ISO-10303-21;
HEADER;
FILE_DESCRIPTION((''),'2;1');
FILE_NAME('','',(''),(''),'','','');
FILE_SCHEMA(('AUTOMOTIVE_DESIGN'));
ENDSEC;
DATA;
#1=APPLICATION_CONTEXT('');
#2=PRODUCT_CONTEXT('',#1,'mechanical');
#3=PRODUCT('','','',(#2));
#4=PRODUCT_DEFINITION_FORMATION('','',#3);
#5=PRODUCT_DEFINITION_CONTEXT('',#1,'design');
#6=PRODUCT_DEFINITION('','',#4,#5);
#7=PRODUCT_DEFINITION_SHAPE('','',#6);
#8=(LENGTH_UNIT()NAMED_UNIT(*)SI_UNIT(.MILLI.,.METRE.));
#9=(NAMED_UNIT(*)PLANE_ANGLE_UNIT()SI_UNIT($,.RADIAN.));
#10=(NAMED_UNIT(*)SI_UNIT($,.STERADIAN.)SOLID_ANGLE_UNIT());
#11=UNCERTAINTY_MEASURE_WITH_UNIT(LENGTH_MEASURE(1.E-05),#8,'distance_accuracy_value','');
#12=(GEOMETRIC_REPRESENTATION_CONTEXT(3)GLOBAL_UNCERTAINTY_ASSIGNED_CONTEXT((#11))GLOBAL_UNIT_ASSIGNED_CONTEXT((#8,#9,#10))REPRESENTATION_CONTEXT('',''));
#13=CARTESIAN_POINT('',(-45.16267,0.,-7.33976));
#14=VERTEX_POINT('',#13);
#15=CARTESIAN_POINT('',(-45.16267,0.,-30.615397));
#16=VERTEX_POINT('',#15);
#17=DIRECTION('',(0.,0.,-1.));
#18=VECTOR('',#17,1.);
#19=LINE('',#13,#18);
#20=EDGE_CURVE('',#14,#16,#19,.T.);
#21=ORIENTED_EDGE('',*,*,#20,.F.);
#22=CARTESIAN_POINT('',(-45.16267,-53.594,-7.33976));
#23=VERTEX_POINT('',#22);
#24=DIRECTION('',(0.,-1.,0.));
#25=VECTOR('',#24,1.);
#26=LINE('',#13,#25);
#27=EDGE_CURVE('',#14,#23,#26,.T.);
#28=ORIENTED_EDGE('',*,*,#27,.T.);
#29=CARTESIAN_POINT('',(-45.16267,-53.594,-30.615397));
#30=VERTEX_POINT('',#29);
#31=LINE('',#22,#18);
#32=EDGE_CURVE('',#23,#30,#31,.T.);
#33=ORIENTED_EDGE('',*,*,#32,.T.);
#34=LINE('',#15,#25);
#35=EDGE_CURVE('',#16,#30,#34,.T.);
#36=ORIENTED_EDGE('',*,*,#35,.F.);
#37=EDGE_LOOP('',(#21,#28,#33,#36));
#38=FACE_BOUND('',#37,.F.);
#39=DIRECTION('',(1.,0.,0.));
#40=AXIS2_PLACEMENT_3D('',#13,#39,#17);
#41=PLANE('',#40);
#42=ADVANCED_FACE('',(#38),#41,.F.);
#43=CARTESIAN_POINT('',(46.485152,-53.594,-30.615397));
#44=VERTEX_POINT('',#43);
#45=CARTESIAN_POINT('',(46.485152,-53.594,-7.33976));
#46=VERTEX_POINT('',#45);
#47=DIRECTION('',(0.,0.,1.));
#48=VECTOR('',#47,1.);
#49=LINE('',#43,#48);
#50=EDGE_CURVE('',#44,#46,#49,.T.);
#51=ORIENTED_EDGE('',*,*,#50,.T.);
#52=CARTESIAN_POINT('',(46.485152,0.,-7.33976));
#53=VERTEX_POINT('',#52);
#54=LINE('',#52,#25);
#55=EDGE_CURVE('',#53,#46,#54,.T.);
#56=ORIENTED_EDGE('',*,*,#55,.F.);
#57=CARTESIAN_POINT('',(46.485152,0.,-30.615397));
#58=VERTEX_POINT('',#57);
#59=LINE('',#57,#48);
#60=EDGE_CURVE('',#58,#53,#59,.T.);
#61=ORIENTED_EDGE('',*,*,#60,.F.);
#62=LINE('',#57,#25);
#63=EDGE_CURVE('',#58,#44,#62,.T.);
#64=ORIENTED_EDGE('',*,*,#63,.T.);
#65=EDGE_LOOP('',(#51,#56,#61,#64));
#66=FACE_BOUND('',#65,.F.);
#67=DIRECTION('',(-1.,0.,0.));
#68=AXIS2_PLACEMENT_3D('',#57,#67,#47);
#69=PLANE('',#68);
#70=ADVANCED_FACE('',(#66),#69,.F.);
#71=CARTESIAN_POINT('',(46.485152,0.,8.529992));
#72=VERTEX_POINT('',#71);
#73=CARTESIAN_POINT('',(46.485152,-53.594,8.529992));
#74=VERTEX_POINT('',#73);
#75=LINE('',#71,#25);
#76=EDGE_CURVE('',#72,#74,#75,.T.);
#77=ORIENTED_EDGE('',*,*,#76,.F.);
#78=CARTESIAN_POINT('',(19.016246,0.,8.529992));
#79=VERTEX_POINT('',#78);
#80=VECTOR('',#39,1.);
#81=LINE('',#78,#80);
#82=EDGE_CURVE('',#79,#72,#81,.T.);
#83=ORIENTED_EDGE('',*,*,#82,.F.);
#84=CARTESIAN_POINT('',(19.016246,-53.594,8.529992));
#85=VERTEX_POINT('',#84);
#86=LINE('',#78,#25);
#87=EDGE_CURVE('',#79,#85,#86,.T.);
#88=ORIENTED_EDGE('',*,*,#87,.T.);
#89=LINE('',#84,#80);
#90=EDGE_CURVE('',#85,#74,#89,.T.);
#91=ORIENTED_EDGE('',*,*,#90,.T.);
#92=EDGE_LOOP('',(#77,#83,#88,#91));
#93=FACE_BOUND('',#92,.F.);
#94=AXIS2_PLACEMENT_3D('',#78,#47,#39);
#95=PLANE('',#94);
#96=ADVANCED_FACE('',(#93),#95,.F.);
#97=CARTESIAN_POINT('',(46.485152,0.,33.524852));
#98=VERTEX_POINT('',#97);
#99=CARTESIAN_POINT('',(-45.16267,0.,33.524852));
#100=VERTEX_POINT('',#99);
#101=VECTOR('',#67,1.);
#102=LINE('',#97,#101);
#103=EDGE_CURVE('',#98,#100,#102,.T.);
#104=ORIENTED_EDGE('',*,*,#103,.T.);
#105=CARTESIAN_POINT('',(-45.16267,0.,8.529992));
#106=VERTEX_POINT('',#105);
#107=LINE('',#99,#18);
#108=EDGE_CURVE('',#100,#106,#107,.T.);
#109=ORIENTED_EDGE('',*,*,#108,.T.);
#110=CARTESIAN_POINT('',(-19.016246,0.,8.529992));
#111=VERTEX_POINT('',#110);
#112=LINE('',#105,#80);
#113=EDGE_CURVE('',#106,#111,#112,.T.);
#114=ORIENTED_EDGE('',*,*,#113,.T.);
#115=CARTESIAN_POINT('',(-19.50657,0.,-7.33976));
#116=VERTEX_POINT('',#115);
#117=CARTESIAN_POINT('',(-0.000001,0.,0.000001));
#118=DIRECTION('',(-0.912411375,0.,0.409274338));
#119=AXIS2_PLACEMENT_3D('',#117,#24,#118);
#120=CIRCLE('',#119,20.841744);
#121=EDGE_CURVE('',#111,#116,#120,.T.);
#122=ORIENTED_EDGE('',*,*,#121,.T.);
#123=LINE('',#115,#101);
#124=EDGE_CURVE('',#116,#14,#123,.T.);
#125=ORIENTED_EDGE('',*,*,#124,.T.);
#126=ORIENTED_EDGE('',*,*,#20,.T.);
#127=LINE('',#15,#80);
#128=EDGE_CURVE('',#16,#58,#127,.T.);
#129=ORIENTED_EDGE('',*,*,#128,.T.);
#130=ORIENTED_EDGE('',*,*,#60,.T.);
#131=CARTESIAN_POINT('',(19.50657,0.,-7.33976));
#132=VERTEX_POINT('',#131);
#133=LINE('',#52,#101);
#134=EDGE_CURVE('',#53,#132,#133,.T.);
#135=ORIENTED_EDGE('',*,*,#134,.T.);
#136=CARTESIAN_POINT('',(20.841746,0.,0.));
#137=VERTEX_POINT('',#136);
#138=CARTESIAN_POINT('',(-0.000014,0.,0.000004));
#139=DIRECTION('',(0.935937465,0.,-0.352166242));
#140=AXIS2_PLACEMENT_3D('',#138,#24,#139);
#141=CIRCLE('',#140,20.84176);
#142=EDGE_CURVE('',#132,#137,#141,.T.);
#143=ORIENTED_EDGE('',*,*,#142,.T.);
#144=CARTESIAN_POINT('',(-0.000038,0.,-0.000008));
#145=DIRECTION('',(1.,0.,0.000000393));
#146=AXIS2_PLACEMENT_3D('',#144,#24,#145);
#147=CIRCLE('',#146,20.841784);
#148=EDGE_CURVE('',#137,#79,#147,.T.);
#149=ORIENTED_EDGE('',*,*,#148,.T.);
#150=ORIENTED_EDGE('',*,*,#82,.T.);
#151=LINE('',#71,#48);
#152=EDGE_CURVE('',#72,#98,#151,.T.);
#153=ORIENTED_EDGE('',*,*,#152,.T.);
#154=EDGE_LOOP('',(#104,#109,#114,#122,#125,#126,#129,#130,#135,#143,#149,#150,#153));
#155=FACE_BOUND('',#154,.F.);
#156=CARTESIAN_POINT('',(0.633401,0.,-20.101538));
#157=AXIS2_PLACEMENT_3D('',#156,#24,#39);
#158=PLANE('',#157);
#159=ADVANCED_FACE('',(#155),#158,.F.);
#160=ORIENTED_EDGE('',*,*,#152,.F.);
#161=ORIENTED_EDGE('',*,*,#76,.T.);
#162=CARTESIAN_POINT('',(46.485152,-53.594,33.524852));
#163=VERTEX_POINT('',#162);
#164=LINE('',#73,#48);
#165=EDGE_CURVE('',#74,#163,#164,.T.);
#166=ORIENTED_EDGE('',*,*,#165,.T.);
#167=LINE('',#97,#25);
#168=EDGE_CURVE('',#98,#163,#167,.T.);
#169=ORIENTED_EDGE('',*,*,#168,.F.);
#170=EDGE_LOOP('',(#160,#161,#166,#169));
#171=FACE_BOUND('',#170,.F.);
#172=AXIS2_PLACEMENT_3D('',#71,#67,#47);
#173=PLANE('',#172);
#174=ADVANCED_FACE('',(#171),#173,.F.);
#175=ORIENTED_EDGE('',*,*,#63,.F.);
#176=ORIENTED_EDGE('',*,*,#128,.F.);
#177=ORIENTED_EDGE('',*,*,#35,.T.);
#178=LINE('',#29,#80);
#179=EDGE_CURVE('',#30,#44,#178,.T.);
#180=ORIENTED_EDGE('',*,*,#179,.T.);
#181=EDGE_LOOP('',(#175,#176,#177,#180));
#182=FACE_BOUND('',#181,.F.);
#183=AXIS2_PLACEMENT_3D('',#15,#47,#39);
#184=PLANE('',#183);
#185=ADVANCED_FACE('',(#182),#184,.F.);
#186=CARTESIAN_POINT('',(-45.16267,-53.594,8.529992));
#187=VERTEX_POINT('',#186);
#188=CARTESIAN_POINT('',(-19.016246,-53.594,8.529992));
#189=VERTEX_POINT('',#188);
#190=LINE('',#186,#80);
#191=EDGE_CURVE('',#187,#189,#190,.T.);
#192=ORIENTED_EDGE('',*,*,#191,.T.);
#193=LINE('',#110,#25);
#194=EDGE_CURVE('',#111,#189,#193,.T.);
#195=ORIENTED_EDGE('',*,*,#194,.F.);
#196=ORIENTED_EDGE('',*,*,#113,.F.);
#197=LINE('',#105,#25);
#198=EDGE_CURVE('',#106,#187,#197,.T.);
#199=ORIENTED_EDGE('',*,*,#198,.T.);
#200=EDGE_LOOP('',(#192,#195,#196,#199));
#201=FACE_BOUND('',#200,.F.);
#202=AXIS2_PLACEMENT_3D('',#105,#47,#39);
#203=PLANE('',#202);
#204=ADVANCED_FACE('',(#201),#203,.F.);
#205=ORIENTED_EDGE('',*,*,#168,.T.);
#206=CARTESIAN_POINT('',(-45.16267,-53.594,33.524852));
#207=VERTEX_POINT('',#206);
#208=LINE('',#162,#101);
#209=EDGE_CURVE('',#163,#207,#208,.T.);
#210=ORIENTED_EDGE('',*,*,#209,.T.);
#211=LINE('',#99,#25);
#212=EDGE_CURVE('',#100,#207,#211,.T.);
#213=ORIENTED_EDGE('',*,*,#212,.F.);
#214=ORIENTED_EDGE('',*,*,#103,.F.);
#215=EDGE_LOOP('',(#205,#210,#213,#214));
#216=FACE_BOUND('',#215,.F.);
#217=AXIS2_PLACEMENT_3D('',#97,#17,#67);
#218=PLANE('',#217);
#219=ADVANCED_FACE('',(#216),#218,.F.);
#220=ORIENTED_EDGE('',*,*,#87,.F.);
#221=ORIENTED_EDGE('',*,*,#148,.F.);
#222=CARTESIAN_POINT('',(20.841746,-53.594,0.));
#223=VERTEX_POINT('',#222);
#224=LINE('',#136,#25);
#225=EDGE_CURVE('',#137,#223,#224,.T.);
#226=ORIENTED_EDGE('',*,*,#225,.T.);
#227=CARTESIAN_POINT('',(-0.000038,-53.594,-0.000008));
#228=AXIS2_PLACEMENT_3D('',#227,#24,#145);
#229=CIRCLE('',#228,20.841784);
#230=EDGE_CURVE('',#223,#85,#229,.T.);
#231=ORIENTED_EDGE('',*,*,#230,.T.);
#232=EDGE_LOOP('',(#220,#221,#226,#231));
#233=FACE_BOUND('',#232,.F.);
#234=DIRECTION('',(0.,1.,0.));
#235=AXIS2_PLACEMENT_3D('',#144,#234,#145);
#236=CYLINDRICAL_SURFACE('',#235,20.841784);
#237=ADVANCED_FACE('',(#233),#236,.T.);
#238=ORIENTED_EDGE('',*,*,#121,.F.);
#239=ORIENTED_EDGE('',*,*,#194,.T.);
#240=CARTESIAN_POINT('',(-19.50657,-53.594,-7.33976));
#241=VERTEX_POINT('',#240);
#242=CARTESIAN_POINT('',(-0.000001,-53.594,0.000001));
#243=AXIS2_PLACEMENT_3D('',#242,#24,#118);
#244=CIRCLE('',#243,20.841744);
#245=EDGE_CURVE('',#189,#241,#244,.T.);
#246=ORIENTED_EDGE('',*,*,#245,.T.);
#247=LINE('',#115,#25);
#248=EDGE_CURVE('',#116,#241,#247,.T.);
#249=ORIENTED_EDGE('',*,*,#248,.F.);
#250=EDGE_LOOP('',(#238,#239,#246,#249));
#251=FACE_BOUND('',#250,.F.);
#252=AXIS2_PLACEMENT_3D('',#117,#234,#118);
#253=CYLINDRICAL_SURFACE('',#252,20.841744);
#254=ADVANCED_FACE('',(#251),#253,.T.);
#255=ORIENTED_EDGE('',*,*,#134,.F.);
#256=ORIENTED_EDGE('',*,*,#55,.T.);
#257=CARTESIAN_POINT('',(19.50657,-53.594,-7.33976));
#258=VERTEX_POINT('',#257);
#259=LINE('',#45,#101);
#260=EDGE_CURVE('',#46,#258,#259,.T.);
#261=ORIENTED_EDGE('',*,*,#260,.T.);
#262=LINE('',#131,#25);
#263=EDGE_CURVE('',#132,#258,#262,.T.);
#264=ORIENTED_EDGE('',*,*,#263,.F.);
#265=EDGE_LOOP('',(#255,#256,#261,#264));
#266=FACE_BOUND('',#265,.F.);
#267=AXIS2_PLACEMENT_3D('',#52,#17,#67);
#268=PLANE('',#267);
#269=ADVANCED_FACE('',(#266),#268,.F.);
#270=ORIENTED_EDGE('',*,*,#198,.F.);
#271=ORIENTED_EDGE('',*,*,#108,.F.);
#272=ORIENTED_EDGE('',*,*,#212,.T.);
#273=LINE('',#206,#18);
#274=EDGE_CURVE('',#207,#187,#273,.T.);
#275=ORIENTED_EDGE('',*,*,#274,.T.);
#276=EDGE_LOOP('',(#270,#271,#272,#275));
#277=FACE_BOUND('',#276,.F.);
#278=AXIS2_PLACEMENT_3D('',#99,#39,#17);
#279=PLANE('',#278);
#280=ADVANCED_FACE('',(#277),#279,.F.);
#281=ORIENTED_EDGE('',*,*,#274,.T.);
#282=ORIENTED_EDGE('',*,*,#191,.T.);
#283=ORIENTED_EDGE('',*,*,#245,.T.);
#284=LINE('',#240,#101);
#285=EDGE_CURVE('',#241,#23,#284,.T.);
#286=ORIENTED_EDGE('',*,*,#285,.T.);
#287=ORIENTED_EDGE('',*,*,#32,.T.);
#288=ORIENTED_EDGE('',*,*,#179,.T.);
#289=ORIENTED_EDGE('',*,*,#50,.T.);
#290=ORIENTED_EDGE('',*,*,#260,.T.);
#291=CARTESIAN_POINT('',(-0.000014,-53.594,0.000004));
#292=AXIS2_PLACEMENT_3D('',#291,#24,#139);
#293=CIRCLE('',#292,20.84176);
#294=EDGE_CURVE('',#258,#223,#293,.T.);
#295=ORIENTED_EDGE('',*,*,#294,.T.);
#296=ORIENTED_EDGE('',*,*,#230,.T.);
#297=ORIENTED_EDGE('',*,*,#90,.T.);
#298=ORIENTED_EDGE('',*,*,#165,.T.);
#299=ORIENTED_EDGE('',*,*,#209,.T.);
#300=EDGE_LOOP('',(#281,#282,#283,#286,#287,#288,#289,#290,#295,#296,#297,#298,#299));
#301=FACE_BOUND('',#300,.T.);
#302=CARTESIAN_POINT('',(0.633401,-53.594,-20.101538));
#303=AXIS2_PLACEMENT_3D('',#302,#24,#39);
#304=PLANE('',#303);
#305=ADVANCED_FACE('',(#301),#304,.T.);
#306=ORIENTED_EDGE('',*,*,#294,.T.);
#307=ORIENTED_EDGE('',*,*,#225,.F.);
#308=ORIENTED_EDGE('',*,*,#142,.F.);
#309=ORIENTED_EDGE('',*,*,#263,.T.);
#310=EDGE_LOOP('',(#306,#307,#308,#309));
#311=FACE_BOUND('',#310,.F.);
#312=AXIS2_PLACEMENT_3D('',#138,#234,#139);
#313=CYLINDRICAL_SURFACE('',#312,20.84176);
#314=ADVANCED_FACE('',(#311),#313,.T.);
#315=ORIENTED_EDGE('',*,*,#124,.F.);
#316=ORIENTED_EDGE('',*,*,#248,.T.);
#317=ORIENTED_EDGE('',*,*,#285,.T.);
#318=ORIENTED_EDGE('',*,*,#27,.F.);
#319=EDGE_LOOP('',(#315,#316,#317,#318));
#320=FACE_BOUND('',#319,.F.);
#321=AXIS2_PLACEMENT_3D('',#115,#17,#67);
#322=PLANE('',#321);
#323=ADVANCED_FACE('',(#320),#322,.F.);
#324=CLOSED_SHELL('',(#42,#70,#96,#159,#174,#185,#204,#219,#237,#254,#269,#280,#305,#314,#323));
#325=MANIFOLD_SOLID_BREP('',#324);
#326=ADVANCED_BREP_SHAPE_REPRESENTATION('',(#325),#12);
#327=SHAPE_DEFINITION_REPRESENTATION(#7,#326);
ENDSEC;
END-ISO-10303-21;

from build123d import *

# Parameters (mm, degrees)
F1_DEPTH = 53.594


with BuildPart() as f1:
    # F0 (on Front) → F1 (new body)
    with BuildSketch(Plane.XZ):
        with BuildLine():
            Line((-19.50657, -7.33976), (-45.16267, -7.33976))
            Line((-45.16267, -7.33976), (-45.16267, -30.615397))
            Line((-45.16267, -30.615397), (46.485152, -30.615397))
            Line((46.485152, -30.615397), (46.485152, -7.33976))
            Line((46.485152, -7.33976), (19.50657, -7.33976))
            ThreePointArc((19.50657, -7.33976), (0, -20.841746), (-19.50657, -7.33976))
        make_face()
        with BuildLine():
            Line((46.485152, 33.524852), (-45.16267, 33.524852))
            Line((-45.16267, 33.524852), (-45.16267, 8.529992))
            Line((-45.16267, 8.529992), (-19.016246, 8.529992))
            ThreePointArc((-19.016246, 8.529992), (0, 20.841746), (19.016246, 8.529992))
            Line((19.016246, 8.529992), (46.485152, 8.529992))
            Line((46.485152, 8.529992), (46.485152, 33.524852))
        make_face()
        with BuildLine():
            ThreePointArc((19.016246, 8.529992), (0, 20.841746), (-19.016246, 8.529992))
            ThreePointArc((-19.016246, 8.529992), (-20.831805, 0.643636), (-19.50657, -7.33976))
            ThreePointArc((-19.50657, -7.33976), (0, -20.841746), (19.50657, -7.33976))
            ThreePointArc((19.50657, -7.33976), (20.505235, -3.730106), (20.841746, 0))
            ThreePointArc((20.841746, 0), (20.380261, 4.361571), (19.016246, 8.529992))
        make_face()
    extrude(amount=F1_DEPTH)


solid = f1.part
